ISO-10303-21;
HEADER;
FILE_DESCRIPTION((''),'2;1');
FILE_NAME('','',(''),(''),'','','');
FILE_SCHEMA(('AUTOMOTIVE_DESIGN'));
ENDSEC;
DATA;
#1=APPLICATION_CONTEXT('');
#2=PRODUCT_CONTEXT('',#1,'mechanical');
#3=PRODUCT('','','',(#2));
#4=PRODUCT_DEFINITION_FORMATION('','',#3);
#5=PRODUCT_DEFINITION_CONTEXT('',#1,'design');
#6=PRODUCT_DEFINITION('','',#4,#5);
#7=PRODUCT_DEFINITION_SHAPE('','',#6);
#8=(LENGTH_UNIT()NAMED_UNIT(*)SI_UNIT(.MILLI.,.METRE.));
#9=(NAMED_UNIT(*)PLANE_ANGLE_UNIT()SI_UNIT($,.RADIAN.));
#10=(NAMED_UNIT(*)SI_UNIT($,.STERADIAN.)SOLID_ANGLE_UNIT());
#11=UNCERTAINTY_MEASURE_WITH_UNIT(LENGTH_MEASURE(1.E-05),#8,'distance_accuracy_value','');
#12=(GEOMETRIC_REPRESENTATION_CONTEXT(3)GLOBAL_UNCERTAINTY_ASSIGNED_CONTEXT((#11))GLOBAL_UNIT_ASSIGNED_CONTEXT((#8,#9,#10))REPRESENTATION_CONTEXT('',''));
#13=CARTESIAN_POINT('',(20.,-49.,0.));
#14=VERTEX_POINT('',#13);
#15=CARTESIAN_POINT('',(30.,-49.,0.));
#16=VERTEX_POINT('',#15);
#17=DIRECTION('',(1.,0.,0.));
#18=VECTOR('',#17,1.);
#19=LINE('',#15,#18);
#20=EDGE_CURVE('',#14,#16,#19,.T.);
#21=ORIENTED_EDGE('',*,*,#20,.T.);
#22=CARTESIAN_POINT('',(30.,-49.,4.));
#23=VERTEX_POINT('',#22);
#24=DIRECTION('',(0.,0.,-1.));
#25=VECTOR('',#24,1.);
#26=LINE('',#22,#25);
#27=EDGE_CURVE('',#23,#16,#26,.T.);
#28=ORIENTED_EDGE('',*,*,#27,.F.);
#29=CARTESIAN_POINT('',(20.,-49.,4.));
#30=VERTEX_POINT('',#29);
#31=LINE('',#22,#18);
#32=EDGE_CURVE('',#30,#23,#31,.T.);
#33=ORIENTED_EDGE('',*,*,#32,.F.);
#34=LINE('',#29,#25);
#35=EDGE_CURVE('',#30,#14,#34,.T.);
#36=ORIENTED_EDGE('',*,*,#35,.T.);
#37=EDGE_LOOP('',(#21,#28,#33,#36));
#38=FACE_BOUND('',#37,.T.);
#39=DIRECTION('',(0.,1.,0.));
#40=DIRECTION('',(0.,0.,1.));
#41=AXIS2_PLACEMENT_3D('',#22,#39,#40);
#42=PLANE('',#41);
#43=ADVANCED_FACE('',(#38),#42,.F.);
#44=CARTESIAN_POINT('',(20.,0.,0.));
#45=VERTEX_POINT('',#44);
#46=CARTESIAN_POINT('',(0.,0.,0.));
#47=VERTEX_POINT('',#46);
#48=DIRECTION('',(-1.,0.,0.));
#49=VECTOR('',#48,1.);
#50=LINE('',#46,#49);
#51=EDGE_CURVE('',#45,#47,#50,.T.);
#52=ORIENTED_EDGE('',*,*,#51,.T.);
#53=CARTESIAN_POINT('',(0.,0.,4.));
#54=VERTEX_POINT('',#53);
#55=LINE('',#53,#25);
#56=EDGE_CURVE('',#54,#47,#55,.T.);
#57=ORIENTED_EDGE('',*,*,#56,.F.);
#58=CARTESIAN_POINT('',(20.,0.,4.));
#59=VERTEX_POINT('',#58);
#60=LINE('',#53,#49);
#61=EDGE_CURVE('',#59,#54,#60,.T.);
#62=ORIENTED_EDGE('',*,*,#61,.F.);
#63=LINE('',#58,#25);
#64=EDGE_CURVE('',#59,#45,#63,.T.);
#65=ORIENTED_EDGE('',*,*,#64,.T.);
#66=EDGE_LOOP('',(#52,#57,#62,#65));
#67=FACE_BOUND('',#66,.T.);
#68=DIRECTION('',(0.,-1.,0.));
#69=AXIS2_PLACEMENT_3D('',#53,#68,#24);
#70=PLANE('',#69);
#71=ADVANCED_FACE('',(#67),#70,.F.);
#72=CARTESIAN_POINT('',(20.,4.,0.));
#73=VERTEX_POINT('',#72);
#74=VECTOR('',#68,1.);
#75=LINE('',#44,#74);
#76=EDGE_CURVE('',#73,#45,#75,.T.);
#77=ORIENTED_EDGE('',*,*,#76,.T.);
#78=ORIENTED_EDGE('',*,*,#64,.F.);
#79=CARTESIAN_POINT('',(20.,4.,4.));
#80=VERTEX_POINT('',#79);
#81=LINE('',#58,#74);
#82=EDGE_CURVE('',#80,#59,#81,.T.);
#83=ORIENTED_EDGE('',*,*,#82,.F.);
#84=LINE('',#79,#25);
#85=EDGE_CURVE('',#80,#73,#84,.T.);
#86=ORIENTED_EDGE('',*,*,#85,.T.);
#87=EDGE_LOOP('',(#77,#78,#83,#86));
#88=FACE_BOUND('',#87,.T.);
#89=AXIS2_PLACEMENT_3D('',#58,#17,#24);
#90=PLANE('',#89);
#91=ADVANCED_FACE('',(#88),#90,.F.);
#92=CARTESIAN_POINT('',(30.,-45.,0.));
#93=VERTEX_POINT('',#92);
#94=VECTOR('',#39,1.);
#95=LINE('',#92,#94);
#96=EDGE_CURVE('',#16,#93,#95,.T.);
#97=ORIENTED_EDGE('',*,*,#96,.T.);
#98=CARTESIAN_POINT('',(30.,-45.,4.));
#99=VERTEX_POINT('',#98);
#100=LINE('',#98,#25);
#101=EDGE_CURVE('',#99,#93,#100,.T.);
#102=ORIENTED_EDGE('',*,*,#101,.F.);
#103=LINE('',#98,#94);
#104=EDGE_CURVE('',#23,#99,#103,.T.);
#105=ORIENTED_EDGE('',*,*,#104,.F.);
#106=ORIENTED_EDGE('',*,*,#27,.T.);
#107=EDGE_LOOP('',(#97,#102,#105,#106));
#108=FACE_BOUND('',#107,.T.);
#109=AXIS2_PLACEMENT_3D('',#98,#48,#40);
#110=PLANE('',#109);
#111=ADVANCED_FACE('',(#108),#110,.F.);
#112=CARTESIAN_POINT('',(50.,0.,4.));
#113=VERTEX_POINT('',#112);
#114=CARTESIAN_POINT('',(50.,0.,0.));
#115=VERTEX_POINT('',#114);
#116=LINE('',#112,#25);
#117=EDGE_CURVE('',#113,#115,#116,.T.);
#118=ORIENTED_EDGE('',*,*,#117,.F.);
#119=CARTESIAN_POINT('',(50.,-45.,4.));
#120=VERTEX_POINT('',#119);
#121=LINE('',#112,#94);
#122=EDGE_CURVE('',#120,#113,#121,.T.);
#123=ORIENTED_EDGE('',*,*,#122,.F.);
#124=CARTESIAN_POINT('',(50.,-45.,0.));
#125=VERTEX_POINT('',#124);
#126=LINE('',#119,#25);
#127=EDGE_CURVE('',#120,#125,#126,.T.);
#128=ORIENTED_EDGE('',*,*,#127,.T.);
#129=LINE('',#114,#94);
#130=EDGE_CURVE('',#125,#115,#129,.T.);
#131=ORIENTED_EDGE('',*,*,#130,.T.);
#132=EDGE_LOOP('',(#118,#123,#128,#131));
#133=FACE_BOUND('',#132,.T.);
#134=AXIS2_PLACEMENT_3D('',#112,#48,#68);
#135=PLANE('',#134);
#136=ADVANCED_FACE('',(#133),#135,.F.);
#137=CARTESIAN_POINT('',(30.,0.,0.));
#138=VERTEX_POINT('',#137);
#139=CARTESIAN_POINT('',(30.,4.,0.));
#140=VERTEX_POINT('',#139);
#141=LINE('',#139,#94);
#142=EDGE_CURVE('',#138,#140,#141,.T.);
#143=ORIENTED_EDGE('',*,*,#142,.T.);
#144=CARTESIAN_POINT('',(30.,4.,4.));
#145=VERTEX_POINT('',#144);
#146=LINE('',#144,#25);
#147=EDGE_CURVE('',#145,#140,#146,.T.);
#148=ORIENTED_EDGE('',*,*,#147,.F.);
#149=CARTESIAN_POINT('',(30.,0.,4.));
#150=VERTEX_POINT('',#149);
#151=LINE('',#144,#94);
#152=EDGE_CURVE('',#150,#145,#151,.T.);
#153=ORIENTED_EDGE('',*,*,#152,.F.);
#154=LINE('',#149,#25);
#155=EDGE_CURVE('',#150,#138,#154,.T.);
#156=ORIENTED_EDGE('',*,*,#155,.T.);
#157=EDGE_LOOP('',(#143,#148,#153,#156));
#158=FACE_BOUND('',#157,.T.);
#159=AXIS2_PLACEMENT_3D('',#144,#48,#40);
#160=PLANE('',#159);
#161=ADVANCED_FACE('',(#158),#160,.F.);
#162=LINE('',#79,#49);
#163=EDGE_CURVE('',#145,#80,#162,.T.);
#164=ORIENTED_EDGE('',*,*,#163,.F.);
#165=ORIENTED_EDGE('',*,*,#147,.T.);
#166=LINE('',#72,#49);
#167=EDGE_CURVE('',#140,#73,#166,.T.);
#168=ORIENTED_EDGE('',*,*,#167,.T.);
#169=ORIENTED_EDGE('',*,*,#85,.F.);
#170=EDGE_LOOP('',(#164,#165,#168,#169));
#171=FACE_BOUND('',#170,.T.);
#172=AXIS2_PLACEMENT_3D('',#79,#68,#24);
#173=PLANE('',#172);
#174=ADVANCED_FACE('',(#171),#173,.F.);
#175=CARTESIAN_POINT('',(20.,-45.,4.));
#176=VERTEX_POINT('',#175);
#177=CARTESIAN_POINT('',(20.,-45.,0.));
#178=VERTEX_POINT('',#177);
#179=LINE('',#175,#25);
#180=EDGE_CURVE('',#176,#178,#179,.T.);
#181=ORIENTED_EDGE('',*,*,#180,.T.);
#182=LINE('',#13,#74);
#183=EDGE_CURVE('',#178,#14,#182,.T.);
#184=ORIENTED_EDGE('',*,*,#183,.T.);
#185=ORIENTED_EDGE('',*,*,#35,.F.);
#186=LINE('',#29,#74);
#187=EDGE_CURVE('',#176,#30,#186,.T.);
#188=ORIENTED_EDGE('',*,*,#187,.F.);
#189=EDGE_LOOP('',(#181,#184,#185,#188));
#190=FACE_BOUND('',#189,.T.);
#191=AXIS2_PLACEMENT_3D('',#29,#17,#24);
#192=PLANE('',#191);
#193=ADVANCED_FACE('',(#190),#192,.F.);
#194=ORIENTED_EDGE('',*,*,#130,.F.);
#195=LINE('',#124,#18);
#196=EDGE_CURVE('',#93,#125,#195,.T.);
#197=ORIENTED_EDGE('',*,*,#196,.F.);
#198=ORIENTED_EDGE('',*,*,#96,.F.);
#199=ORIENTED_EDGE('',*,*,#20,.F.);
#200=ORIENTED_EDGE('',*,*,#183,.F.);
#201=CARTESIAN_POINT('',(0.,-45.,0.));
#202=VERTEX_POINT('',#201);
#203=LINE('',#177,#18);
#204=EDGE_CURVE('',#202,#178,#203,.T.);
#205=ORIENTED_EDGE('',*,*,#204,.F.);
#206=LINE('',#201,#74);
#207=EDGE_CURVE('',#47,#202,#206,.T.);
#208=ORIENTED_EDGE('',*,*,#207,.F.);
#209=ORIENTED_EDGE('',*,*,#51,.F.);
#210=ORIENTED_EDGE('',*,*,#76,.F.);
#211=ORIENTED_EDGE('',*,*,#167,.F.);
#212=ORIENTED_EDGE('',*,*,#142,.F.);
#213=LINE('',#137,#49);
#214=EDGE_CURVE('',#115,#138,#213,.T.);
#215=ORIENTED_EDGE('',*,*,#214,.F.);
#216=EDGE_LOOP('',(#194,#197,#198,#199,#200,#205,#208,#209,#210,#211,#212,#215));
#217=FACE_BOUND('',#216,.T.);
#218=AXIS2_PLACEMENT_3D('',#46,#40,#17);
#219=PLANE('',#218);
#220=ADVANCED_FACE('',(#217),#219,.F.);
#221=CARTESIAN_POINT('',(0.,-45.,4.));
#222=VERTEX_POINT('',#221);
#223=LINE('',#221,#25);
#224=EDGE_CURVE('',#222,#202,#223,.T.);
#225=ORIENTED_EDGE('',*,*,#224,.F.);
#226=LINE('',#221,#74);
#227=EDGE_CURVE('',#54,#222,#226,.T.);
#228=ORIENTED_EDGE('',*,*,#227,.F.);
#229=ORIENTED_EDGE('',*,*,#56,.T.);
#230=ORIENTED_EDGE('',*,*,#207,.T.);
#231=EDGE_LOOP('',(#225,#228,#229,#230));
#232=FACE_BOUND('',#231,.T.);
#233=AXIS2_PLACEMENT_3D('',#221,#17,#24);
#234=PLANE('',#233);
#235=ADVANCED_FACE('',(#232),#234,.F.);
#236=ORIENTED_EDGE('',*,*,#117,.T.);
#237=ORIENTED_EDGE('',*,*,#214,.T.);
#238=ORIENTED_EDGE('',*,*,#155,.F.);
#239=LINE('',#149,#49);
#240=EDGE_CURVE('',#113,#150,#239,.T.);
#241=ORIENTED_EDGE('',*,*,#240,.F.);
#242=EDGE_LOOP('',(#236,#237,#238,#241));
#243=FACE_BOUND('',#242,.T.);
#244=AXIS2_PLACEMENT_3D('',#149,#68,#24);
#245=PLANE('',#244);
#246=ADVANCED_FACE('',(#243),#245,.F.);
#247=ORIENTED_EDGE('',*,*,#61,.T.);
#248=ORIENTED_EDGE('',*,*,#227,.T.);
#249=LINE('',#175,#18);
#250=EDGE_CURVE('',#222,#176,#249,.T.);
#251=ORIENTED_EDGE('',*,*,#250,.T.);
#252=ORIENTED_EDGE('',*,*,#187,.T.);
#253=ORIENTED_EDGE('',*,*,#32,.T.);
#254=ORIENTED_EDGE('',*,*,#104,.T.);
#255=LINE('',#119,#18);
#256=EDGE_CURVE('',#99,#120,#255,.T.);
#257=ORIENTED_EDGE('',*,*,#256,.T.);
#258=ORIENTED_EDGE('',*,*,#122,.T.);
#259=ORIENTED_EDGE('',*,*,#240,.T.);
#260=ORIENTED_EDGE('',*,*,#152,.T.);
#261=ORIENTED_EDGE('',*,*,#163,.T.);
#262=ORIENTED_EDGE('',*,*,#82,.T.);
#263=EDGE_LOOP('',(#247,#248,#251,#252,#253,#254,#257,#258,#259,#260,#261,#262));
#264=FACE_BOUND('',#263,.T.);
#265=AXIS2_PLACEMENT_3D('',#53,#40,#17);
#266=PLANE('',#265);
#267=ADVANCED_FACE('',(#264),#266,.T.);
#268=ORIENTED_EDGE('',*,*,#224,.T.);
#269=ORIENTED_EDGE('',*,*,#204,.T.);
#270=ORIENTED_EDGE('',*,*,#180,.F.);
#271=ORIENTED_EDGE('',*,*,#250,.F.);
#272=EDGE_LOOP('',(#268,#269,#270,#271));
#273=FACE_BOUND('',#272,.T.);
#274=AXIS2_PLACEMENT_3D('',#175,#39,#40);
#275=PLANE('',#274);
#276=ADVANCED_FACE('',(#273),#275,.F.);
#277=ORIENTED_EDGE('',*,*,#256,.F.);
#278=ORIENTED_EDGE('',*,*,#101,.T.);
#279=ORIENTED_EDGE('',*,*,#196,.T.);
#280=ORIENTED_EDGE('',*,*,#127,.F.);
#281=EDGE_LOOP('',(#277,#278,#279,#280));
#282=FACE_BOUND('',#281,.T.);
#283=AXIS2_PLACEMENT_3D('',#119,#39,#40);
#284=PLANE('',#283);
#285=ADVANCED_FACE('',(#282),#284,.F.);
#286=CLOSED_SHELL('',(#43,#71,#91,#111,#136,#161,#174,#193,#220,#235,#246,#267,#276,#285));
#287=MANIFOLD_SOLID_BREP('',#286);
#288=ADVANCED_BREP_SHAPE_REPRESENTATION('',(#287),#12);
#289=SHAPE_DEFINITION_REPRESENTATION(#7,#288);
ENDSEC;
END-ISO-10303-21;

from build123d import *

# Parameters (mm, degrees)
BOSS_EXTRU_1_DEPTH = 4


with BuildPart() as part:
    # Esquisse1 → Boss.-Extru.1 (new body)
    with BuildSketch(Plane.XY):
        Polygon((50, 0), (50, -45), (30, -45), (30, -49), (20, -49), (20, -45), (0, -45), (0, 0), (20, 0), (20, 4), (30, 4), (30, 0), align=None)
    extrude(amount=BOSS_EXTRU_1_DEPTH)


solid = part.part
